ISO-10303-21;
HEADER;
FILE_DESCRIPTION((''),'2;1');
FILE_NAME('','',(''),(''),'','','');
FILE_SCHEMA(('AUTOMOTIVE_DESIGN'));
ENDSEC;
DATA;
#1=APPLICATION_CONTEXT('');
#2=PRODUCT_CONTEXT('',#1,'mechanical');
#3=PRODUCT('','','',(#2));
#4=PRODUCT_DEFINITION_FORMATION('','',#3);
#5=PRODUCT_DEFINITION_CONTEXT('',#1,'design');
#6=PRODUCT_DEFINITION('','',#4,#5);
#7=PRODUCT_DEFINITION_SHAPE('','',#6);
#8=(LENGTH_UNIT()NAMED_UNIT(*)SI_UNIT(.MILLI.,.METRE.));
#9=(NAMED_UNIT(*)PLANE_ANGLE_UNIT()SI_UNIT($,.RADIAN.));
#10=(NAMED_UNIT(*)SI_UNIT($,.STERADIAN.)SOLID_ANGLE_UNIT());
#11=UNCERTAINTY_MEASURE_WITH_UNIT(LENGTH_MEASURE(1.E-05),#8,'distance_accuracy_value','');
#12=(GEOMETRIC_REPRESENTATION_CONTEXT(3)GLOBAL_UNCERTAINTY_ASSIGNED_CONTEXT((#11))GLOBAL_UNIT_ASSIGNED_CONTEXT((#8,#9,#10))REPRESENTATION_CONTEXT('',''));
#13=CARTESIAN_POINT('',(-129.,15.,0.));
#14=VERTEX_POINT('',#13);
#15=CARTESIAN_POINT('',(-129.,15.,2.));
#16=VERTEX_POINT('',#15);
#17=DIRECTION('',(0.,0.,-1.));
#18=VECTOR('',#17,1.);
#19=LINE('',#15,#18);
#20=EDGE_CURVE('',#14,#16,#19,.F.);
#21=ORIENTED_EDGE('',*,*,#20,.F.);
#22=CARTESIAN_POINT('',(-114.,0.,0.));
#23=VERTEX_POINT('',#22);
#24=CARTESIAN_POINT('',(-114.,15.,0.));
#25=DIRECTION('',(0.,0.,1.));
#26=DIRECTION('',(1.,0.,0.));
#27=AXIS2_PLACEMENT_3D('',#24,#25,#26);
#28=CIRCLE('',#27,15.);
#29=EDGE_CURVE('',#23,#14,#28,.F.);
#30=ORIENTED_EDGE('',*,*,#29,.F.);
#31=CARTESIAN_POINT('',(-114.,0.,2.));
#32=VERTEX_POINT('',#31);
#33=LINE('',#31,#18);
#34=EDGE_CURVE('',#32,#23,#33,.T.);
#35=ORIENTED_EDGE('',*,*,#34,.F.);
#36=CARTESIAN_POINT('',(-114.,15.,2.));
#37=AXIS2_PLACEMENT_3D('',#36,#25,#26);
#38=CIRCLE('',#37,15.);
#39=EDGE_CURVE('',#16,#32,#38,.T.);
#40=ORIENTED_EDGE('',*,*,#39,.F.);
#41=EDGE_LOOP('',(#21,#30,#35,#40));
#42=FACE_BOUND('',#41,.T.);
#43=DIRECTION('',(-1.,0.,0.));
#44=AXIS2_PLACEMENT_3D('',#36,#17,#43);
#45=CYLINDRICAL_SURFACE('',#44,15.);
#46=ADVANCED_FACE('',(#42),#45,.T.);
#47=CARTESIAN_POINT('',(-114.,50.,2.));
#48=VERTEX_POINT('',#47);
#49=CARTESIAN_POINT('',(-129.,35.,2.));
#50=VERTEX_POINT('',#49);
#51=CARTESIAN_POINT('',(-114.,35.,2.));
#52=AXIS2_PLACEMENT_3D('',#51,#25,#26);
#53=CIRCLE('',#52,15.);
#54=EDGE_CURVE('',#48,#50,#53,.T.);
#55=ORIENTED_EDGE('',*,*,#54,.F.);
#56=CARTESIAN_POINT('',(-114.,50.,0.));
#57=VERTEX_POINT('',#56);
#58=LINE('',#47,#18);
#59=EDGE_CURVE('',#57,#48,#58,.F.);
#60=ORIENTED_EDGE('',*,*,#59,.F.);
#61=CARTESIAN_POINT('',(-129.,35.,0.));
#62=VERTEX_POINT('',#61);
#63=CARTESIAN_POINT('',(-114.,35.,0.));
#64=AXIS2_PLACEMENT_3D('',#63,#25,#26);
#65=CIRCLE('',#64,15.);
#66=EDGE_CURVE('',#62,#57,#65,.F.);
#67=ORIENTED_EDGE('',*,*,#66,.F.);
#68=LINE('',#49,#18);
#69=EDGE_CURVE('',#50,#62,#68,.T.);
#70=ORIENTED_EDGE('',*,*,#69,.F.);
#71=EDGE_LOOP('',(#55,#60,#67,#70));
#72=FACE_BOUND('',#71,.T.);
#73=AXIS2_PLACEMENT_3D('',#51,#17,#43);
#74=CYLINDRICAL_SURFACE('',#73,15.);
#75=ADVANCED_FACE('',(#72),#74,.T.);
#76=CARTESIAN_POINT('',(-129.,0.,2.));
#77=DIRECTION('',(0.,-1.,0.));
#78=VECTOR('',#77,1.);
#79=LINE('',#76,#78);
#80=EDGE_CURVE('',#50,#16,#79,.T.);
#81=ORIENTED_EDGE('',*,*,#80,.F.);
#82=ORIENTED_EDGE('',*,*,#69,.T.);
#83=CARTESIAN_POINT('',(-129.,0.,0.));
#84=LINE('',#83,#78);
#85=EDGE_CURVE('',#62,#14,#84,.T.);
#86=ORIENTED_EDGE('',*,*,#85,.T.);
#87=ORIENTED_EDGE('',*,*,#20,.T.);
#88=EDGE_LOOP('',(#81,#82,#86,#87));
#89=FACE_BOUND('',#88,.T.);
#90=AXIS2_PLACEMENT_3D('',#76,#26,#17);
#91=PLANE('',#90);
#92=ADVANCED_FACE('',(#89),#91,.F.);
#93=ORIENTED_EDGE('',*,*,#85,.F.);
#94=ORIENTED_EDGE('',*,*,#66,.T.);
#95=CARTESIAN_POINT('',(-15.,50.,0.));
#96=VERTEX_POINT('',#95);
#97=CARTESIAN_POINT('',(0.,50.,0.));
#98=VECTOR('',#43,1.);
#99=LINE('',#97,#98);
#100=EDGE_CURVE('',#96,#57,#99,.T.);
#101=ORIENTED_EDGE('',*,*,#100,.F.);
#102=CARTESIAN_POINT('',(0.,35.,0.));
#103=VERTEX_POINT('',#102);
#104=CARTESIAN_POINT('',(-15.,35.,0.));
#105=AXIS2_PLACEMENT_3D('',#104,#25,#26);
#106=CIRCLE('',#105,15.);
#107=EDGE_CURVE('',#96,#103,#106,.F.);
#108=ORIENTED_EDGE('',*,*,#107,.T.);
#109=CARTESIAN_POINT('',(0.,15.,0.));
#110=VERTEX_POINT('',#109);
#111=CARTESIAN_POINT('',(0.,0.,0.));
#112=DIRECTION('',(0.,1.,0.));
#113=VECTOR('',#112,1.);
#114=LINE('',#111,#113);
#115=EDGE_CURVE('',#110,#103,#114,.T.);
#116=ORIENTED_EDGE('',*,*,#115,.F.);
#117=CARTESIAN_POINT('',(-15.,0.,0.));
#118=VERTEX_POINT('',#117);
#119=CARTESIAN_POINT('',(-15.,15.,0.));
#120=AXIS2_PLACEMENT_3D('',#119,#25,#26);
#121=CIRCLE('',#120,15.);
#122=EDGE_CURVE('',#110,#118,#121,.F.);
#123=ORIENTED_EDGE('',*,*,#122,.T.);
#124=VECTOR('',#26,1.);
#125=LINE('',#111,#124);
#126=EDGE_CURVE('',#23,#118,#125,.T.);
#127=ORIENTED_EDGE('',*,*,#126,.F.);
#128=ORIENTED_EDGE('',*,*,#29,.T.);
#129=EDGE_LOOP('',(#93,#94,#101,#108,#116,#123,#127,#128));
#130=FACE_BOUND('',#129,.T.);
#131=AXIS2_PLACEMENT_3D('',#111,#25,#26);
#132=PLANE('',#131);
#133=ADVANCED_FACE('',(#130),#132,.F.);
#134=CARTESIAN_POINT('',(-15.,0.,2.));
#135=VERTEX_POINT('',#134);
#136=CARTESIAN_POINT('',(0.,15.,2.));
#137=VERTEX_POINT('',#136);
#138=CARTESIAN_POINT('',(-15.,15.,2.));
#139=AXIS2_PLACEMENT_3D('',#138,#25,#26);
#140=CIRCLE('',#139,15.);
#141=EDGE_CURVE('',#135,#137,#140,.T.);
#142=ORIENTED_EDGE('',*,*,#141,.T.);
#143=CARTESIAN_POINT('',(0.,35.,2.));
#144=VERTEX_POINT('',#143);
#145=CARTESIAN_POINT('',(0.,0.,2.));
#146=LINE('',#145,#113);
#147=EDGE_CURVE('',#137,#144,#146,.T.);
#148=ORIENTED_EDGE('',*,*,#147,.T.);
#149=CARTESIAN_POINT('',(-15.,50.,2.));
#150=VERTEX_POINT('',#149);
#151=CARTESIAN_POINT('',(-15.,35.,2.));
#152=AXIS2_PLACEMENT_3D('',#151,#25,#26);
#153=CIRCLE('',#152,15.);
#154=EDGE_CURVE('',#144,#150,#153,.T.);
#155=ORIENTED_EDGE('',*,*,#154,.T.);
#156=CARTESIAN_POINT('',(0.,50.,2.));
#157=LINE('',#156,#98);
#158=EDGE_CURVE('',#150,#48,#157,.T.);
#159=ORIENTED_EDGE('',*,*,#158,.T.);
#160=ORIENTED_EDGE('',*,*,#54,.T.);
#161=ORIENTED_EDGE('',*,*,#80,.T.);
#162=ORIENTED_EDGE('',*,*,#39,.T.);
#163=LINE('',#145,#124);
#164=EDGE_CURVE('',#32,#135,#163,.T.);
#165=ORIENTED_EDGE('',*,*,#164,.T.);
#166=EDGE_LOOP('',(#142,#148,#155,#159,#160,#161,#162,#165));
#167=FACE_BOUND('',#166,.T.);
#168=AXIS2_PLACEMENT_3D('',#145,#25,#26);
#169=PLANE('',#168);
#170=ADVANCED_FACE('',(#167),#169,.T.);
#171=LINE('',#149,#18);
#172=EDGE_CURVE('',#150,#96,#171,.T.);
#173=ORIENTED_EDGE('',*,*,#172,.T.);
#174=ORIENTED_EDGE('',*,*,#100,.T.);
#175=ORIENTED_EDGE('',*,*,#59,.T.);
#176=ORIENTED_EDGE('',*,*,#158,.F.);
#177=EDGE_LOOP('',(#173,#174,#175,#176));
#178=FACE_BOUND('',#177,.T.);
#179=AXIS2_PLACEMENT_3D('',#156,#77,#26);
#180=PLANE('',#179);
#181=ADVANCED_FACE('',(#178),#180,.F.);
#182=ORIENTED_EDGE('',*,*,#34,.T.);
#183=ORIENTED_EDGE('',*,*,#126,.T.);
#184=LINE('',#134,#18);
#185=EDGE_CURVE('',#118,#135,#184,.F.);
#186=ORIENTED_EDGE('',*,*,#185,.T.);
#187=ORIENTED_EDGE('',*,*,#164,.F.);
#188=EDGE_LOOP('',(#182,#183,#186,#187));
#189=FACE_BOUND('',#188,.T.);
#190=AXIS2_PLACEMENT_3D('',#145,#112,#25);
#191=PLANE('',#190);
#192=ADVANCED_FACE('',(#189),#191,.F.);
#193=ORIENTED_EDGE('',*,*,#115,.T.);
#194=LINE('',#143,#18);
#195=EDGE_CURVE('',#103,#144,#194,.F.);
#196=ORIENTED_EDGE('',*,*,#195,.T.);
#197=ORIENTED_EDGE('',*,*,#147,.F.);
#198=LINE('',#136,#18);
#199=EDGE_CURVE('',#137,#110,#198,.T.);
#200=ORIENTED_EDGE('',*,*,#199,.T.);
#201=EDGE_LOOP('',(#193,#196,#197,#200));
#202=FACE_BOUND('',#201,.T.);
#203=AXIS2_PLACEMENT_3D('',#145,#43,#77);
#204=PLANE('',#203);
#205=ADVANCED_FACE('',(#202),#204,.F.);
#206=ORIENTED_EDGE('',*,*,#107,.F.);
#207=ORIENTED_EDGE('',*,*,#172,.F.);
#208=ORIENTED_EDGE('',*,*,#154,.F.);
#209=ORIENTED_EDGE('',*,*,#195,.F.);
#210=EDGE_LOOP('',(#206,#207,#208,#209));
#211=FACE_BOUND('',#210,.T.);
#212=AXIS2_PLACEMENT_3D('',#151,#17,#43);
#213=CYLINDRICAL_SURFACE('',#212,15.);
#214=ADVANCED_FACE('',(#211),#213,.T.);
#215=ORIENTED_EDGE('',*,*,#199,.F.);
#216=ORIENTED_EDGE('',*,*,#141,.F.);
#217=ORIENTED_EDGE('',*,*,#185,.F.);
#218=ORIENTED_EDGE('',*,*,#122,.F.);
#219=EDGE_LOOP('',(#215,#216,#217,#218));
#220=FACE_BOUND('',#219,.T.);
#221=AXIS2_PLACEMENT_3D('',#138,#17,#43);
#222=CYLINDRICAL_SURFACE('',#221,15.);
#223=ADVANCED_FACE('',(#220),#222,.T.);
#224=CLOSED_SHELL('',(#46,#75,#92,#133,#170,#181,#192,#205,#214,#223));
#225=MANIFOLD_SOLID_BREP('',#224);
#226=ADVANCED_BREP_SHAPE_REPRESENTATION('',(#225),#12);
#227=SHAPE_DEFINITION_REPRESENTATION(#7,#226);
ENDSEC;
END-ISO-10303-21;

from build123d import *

# Parameters (mm, degrees)
ESQUISSE1_W        = 129
ESQUISSE1_H        = 50
BOSS_EXTRU_1_DEPTH = 2
CONG_1_R           = 15


with BuildPart() as part:
    # Esquisse1 → Boss.-Extru.1 (new body)
    with BuildSketch(Plane.XY):
        with Locations((-64.5, 25)):
            Rectangle(ESQUISSE1_W, ESQUISSE1_H)
    extrude(amount=BOSS_EXTRU_1_DEPTH)

    # Congé1
    cong_1_edges = [part.edges().sort_by_distance(p)[0] for p in [
        (0, 0, 1),
        (-129, 0, 1),
        (-129, 50, 1),
        (0, 50, 1),
    ]]
    fillet(cong_1_edges, radius=CONG_1_R)


solid = part.part
